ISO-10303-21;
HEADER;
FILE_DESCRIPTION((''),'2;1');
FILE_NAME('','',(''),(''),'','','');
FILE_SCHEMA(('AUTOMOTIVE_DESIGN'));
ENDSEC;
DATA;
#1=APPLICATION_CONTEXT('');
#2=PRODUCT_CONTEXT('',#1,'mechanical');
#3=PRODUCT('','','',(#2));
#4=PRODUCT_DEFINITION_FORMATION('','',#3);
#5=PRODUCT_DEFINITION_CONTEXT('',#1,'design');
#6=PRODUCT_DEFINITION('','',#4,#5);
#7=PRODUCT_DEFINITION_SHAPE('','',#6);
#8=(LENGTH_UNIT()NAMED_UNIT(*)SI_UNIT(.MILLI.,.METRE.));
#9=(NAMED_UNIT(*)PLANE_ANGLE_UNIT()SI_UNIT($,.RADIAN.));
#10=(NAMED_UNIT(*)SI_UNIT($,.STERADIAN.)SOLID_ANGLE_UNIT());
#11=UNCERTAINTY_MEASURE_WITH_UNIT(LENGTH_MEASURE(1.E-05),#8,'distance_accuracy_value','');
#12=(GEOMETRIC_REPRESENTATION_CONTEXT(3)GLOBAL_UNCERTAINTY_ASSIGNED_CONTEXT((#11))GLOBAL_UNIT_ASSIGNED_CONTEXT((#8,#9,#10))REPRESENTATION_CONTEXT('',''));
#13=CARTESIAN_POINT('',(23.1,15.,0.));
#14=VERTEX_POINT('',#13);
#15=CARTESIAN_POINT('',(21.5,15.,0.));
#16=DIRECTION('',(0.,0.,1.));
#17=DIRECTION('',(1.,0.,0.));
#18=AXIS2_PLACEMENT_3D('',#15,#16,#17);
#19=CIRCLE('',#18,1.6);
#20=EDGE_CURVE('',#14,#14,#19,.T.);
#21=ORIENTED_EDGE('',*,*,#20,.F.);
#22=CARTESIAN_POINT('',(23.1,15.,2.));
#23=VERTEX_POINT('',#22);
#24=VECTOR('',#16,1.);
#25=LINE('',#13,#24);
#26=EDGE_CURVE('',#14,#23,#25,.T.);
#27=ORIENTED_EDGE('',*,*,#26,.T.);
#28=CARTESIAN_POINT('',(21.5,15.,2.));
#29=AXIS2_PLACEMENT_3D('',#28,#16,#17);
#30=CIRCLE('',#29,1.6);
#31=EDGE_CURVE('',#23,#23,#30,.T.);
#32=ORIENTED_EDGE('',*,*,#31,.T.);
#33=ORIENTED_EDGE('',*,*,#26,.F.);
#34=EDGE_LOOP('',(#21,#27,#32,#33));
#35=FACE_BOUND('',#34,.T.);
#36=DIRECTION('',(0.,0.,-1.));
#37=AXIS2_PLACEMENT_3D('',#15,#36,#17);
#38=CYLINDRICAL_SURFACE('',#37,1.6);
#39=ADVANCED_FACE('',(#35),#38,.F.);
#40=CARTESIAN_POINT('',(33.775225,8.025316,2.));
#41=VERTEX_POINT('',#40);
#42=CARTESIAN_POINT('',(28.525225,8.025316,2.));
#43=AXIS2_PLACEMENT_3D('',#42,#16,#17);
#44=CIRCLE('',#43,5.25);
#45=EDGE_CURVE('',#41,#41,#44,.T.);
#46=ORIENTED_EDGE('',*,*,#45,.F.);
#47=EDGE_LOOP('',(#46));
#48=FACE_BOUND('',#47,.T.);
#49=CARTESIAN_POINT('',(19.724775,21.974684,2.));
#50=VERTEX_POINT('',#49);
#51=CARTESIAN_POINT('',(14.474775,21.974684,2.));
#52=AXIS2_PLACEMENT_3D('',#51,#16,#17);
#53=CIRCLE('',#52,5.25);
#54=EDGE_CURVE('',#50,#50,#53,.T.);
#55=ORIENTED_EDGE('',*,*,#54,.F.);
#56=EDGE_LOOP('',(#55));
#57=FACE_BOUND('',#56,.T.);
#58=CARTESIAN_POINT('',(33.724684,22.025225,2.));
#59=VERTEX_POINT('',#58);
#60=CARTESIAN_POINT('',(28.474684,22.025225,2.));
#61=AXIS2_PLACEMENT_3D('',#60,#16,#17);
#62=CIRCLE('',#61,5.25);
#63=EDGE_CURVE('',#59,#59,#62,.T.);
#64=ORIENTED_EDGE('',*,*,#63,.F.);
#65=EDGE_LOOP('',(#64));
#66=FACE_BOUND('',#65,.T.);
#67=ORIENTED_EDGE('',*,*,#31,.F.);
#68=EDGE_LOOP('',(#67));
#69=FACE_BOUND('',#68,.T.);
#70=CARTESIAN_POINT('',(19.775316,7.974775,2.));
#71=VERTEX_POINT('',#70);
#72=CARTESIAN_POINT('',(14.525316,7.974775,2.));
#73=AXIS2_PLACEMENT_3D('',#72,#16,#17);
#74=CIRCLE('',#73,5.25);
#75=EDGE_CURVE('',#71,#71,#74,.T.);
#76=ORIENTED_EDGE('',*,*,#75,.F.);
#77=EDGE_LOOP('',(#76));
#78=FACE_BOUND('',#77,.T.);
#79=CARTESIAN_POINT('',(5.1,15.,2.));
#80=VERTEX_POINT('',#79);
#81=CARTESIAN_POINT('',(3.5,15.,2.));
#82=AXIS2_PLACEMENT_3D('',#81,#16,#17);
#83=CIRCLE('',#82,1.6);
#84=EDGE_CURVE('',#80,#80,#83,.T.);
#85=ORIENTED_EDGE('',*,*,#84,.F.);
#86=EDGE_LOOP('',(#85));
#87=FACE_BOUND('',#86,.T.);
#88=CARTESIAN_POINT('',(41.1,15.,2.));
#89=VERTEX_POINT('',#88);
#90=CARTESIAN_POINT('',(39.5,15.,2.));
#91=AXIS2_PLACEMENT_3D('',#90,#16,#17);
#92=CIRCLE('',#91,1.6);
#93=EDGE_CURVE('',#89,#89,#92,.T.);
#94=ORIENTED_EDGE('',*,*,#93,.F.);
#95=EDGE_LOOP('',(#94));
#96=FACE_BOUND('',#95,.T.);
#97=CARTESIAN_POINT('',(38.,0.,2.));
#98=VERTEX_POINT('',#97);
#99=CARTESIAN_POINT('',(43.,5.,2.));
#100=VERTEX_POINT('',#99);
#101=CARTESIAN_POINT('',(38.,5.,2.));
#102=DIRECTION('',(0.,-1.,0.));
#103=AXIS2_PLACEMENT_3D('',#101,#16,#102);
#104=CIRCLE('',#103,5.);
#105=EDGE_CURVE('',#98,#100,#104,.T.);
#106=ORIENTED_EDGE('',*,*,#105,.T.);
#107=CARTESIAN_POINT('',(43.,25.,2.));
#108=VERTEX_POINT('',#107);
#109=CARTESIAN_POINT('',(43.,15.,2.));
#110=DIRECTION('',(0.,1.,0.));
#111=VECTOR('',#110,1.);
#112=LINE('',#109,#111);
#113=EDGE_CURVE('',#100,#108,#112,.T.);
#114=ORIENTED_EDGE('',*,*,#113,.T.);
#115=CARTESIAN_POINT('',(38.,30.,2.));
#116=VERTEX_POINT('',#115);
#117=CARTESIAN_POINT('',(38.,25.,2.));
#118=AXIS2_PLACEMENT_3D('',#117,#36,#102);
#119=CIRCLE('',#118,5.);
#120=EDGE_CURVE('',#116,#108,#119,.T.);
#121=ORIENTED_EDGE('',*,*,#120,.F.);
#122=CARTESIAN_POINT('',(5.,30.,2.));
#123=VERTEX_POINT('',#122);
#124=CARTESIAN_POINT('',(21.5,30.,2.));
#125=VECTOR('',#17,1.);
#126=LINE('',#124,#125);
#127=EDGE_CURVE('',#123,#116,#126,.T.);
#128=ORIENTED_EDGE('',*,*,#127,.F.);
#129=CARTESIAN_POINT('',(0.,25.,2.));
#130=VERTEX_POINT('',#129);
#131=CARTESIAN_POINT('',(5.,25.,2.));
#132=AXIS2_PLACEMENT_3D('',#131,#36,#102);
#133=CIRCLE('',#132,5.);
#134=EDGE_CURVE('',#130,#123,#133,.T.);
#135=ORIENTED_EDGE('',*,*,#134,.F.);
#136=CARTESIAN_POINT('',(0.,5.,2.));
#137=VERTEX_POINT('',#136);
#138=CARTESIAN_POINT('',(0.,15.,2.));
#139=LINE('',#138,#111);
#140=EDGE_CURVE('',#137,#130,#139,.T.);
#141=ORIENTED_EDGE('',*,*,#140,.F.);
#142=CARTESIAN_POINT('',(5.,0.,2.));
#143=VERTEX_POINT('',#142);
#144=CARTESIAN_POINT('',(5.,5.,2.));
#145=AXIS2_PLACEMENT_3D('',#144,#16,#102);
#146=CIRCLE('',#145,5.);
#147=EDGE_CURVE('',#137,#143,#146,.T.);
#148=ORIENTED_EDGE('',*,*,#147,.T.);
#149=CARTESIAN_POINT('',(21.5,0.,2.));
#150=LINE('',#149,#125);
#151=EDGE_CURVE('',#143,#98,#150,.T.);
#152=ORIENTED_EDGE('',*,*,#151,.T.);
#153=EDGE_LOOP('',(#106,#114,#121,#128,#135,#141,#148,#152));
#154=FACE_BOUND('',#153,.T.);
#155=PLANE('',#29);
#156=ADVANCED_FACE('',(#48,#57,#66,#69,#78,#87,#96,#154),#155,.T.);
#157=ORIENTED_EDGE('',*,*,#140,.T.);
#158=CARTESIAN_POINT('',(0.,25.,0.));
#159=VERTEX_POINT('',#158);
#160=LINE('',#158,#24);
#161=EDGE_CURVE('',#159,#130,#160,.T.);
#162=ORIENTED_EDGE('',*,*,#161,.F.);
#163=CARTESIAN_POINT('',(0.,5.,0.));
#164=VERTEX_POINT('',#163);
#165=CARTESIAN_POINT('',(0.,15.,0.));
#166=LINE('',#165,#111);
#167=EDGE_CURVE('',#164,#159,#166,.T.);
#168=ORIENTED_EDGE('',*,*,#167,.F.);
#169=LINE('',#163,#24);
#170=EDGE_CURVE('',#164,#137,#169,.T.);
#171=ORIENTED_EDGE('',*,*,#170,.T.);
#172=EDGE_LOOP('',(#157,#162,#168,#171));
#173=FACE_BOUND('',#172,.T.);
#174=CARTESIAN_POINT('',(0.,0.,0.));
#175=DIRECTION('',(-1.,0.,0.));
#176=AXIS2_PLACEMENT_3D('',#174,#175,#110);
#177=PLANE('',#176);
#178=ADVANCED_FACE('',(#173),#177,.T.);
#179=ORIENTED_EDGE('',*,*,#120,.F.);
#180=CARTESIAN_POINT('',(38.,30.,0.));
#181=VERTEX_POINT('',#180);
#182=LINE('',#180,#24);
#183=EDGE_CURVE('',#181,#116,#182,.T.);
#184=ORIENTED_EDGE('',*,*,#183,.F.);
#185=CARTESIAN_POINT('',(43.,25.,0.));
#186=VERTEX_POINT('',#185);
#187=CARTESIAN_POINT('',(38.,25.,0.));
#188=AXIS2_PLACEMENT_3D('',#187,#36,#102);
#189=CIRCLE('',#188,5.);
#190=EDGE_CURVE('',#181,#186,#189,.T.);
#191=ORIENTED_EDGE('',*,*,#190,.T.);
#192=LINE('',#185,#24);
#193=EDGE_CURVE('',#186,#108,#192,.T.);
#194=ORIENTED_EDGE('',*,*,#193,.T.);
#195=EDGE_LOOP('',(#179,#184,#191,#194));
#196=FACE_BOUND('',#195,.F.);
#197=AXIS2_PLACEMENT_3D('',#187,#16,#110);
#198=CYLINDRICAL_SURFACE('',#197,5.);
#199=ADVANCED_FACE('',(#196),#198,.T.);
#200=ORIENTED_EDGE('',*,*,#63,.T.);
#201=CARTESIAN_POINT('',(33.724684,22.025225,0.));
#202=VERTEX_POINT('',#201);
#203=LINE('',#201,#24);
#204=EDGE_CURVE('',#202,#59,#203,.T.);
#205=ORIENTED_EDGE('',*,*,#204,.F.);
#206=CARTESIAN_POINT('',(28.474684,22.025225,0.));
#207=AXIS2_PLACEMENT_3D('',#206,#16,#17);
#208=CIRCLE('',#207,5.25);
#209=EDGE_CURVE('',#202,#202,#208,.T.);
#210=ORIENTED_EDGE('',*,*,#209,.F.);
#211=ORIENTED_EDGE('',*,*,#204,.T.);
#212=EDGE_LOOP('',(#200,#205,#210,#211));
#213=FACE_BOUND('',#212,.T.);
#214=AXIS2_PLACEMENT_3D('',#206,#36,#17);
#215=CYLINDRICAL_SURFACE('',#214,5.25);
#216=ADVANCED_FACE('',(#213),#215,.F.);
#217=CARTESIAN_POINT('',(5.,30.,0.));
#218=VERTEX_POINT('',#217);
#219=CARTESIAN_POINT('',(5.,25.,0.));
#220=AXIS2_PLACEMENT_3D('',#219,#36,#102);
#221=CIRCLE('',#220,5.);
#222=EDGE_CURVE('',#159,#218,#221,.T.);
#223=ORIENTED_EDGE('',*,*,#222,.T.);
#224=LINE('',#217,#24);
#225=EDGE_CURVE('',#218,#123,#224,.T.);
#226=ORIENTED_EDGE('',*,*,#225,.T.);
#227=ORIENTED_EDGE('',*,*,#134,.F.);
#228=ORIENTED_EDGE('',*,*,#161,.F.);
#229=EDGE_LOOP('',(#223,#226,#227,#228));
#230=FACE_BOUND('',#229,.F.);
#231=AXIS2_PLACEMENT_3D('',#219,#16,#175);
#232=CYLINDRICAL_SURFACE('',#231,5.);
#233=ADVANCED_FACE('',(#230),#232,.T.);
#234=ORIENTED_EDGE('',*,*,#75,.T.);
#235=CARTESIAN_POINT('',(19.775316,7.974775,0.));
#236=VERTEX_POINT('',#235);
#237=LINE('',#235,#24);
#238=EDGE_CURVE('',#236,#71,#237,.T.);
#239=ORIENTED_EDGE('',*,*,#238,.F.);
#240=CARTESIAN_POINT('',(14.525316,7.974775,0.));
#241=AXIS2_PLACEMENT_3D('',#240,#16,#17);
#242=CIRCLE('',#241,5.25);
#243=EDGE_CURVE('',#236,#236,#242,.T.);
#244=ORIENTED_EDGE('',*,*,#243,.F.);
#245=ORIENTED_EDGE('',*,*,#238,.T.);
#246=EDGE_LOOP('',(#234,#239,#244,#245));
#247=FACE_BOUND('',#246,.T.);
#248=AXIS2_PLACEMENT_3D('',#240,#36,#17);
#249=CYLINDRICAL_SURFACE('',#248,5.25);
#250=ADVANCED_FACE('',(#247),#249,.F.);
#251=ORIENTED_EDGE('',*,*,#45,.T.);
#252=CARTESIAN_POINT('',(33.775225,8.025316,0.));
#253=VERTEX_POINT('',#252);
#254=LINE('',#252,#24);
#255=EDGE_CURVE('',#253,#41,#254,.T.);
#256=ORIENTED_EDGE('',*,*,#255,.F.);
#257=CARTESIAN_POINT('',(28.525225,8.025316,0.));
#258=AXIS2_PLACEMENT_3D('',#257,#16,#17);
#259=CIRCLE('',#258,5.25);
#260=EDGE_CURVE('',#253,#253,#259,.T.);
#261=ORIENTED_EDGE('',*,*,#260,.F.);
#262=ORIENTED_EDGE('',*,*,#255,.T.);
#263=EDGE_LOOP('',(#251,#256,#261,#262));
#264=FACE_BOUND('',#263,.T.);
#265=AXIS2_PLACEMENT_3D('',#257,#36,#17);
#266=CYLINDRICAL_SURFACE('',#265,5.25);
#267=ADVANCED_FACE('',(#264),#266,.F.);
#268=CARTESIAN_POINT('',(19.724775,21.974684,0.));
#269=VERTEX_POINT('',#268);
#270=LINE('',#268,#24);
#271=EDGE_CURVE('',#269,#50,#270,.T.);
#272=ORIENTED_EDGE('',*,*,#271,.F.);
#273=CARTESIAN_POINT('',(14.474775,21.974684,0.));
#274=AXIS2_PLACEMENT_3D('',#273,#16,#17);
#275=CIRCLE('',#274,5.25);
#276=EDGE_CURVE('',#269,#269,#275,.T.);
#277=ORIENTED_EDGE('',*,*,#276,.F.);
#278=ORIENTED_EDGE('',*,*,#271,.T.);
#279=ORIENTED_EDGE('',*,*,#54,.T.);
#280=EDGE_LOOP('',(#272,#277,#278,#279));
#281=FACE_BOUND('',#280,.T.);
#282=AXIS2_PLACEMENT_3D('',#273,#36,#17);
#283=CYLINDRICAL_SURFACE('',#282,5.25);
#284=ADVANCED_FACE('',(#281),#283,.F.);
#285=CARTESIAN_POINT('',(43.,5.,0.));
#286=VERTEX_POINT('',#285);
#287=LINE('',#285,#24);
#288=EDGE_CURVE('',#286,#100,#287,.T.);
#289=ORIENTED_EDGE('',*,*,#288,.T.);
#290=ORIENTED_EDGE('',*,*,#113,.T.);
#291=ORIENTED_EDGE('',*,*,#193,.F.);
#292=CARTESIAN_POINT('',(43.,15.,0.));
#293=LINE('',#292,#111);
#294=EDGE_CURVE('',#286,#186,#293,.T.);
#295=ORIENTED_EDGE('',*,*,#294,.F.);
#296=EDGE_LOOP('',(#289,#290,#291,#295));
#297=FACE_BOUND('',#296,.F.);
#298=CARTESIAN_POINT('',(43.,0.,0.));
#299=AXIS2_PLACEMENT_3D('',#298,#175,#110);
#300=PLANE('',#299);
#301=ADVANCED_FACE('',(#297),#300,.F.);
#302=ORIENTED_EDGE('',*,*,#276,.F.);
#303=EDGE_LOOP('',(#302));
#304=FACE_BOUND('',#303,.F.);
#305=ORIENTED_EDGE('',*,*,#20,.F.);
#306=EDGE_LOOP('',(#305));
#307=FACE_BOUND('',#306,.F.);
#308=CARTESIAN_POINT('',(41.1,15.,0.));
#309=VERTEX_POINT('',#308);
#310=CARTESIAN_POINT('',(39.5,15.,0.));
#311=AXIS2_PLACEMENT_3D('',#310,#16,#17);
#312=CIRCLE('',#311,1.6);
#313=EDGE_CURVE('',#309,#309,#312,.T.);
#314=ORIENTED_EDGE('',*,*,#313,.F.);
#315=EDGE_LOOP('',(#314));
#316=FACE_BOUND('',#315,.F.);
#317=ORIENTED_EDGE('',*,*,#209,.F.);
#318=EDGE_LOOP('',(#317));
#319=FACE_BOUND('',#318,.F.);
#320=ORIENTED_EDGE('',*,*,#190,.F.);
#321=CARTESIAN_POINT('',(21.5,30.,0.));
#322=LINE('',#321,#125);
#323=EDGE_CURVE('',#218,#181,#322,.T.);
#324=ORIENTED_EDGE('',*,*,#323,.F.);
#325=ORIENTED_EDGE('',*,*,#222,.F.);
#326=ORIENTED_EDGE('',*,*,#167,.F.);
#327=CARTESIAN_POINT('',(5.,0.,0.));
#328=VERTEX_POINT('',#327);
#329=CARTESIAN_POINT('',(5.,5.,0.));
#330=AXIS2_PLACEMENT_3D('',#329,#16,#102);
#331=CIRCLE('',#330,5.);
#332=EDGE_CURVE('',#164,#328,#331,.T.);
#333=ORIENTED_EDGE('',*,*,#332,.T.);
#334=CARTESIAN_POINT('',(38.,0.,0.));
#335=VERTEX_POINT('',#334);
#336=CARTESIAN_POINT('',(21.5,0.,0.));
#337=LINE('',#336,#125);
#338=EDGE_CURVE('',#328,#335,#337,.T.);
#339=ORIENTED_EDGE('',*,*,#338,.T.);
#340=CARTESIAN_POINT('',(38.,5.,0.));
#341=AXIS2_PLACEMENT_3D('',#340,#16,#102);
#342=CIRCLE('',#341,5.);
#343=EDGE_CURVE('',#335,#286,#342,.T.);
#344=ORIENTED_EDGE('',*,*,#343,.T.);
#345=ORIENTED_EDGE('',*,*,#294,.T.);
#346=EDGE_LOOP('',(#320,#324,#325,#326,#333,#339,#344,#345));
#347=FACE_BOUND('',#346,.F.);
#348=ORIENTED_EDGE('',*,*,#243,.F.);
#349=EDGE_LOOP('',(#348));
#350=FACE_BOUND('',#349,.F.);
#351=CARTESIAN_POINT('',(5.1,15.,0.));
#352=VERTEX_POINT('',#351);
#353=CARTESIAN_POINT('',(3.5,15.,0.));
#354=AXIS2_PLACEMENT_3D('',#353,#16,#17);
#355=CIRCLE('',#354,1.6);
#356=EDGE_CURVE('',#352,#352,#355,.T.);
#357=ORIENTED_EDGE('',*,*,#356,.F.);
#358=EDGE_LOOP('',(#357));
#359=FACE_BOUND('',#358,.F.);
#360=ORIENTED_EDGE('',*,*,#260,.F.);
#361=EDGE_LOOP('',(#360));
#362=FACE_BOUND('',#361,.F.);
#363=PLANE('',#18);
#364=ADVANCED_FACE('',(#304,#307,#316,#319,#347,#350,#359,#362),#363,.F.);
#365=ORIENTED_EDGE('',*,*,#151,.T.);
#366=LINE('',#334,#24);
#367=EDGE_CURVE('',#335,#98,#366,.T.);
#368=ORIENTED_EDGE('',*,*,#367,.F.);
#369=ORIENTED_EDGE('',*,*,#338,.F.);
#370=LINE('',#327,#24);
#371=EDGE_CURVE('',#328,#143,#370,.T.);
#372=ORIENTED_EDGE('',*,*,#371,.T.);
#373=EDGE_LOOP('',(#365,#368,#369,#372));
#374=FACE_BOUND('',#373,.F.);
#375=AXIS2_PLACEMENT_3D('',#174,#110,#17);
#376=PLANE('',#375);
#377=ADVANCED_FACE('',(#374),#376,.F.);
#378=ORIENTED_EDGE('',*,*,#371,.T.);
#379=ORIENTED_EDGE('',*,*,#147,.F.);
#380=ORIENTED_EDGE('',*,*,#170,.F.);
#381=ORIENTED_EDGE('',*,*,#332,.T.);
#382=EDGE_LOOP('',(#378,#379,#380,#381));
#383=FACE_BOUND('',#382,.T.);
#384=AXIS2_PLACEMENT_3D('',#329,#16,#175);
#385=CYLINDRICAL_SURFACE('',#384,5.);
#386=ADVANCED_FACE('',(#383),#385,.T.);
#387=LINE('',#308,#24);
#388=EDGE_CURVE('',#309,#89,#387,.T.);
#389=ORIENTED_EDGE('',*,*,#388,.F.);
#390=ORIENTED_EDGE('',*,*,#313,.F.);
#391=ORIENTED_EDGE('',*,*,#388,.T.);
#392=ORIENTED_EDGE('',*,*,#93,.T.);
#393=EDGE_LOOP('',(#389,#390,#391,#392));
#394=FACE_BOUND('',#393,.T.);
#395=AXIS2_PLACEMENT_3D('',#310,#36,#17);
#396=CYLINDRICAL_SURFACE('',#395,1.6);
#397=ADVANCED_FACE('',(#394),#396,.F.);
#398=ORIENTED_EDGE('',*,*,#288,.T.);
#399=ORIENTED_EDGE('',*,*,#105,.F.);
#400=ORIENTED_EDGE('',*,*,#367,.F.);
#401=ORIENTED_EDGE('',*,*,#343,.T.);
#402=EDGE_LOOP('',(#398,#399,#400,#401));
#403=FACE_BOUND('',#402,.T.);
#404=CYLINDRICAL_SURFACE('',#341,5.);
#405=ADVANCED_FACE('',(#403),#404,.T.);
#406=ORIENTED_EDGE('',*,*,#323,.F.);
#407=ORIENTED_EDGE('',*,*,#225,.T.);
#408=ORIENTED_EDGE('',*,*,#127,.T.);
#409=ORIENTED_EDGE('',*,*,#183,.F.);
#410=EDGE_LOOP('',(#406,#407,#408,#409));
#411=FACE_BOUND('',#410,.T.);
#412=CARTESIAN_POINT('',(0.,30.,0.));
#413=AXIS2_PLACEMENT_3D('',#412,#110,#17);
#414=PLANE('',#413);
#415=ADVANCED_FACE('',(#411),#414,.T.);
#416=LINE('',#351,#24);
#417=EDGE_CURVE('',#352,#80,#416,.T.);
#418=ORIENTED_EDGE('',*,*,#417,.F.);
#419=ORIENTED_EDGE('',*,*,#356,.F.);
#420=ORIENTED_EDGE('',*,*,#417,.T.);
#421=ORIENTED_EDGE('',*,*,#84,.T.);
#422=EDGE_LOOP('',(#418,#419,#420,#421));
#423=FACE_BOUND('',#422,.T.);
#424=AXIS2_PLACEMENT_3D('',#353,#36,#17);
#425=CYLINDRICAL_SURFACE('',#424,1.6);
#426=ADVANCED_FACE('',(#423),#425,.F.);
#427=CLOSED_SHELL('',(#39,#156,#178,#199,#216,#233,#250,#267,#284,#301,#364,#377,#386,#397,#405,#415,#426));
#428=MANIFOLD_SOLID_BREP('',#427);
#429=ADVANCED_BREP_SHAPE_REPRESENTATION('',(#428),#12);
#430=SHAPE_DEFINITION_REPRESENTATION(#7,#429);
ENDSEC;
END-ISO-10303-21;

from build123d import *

# Parameters (mm, degrees)
SKETCH_W   = 43
SKETCH_H   = 30
SKETCH_R   = 5.25
SKETCH_R_2 = 1.6
PAD_DEPTH  = 2
FILLET_R   = 5


with BuildPart() as part:
    # Sketch → Pad (new body)
    with BuildSketch(Plane.XY):
        with Locations((21.5, 15)):
            Rectangle(SKETCH_W, SKETCH_H)
        with Locations((14.474775, 21.974684)):
            Circle(SKETCH_R, mode=Mode.SUBTRACT)
        with Locations((28.474684, 22.025225)):
            Circle(SKETCH_R, mode=Mode.SUBTRACT)
        with Locations((14.525316, 7.974775)):
            Circle(SKETCH_R, mode=Mode.SUBTRACT)
        with Locations((28.525225, 8.025316)):
            Circle(SKETCH_R, mode=Mode.SUBTRACT)
        with Locations((21.5, 15)):
            Circle(SKETCH_R_2, mode=Mode.SUBTRACT)
        with Locations((3.5, 15)):
            Circle(SKETCH_R_2, mode=Mode.SUBTRACT)
        with Locations((39.5, 15)):
            Circle(SKETCH_R_2, mode=Mode.SUBTRACT)
    extrude(amount=PAD_DEPTH)

    # Fillet
    fillet_edges = [part.edges().sort_by_distance(p)[0] for p in [
        (43, 0, 1),
        (43, 30, 1),
        (0, 0, 1),
        (0, 30, 1),
    ]]
    fillet(fillet_edges, radius=FILLET_R)


solid = part.part
